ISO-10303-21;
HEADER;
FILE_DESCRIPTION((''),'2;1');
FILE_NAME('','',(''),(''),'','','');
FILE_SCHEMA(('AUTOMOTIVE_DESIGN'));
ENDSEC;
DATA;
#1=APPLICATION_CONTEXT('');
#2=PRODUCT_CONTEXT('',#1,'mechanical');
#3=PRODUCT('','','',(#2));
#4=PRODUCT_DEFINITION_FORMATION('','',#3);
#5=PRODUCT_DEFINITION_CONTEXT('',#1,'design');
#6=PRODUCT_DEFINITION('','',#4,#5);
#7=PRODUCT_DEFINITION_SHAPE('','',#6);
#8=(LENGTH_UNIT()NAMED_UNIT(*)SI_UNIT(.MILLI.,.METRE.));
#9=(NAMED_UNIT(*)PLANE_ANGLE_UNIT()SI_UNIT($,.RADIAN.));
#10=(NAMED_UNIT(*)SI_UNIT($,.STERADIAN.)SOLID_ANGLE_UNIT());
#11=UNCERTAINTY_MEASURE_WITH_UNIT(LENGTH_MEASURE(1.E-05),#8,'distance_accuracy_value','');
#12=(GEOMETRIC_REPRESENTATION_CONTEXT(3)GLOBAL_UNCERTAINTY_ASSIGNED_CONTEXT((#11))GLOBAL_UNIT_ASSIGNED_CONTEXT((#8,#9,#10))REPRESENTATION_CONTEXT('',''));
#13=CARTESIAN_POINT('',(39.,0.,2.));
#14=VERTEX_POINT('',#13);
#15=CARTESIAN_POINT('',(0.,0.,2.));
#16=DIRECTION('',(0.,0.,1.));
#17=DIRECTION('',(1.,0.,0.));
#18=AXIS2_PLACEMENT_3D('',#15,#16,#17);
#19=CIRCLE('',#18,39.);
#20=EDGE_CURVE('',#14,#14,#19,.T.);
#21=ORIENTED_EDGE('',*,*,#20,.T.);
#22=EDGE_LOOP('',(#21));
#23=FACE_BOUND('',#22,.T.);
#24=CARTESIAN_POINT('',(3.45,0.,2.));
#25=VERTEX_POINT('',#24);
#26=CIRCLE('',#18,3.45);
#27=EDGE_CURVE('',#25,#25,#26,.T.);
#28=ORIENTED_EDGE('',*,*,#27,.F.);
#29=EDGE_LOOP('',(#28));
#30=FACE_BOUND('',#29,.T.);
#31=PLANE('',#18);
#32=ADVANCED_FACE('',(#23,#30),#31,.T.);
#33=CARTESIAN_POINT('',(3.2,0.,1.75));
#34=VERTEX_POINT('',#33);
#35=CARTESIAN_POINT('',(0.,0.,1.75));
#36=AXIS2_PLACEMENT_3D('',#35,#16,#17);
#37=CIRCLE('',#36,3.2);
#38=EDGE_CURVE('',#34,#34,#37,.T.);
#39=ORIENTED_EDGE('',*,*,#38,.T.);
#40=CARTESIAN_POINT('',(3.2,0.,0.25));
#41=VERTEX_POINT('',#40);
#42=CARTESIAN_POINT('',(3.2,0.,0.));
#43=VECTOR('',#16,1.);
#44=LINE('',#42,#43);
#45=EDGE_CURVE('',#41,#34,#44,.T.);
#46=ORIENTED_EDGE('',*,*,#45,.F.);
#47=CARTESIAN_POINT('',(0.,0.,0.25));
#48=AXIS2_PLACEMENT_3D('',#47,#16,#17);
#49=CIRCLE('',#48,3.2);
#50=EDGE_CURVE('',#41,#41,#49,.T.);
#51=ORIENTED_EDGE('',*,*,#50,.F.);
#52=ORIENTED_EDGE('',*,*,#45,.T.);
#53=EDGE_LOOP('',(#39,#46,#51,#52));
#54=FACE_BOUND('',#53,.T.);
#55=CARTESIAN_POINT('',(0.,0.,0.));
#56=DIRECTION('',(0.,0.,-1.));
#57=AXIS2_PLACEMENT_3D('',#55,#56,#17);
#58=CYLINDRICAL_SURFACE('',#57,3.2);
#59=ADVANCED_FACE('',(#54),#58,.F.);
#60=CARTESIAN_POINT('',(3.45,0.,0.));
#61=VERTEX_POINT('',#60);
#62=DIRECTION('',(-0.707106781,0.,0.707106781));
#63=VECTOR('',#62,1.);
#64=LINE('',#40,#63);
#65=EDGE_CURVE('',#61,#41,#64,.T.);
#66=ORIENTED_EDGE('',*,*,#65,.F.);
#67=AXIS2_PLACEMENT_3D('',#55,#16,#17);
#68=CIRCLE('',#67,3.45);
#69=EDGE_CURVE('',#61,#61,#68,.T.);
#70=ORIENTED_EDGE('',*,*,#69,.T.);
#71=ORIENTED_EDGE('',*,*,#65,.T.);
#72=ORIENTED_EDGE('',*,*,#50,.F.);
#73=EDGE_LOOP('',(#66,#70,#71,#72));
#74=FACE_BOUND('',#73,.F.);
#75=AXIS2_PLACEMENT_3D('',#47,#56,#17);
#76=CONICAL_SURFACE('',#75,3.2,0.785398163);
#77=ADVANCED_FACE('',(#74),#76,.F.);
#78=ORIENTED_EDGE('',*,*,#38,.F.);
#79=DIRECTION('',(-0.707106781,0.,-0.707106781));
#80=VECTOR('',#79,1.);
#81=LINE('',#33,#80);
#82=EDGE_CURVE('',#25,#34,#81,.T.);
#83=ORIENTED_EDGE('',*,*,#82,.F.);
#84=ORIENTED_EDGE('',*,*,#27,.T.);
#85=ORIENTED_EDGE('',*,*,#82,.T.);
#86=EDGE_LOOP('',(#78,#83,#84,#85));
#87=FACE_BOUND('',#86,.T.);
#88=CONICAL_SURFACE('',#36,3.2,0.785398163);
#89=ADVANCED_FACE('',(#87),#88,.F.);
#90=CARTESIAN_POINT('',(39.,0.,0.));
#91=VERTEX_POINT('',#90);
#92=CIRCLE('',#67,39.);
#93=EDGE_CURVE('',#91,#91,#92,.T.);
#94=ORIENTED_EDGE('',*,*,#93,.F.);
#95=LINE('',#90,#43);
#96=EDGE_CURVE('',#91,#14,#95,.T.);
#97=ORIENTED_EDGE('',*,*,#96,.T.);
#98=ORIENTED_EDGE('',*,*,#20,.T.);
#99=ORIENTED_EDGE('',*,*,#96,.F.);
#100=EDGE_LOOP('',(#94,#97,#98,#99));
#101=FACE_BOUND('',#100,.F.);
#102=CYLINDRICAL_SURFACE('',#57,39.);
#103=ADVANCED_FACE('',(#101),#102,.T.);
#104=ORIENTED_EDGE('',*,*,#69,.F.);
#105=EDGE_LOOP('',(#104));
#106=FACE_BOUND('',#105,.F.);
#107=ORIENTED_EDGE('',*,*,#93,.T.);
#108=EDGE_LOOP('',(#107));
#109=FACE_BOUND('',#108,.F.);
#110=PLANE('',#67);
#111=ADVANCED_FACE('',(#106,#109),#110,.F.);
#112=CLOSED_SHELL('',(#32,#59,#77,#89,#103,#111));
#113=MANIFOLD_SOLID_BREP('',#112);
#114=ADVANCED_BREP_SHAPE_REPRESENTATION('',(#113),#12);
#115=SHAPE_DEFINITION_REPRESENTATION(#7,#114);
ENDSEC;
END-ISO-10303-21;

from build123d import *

# Parameters (mm, degrees)
SKETCH007_R     = 39
PAD002_DEPTH    = 2
SKETCH005_R     = 3.2
POCKET003_DEPTH = 2
CHAMFER001_SIZE = 0.25


with BuildPart() as part:
    # Sketch007 → Pad002 (new body)
    with BuildSketch(Plane.XY):
        Circle(SKETCH007_R)
    extrude(amount=PAD002_DEPTH)

    # Sketch005 → Pocket003 (cut)
    with BuildSketch(Plane.XY):
        Circle(SKETCH005_R)
    extrude(amount=POCKET003_DEPTH, mode=Mode.SUBTRACT)

    # Chamfer001
    chamfer001_edges = [part.edges().sort_by_distance(p)[0] for p in [
        (-3.2, 0, 2),
        (-3.2, 0, 0),
    ]]
    chamfer(chamfer001_edges, length=CHAMFER001_SIZE)


solid = part.part
